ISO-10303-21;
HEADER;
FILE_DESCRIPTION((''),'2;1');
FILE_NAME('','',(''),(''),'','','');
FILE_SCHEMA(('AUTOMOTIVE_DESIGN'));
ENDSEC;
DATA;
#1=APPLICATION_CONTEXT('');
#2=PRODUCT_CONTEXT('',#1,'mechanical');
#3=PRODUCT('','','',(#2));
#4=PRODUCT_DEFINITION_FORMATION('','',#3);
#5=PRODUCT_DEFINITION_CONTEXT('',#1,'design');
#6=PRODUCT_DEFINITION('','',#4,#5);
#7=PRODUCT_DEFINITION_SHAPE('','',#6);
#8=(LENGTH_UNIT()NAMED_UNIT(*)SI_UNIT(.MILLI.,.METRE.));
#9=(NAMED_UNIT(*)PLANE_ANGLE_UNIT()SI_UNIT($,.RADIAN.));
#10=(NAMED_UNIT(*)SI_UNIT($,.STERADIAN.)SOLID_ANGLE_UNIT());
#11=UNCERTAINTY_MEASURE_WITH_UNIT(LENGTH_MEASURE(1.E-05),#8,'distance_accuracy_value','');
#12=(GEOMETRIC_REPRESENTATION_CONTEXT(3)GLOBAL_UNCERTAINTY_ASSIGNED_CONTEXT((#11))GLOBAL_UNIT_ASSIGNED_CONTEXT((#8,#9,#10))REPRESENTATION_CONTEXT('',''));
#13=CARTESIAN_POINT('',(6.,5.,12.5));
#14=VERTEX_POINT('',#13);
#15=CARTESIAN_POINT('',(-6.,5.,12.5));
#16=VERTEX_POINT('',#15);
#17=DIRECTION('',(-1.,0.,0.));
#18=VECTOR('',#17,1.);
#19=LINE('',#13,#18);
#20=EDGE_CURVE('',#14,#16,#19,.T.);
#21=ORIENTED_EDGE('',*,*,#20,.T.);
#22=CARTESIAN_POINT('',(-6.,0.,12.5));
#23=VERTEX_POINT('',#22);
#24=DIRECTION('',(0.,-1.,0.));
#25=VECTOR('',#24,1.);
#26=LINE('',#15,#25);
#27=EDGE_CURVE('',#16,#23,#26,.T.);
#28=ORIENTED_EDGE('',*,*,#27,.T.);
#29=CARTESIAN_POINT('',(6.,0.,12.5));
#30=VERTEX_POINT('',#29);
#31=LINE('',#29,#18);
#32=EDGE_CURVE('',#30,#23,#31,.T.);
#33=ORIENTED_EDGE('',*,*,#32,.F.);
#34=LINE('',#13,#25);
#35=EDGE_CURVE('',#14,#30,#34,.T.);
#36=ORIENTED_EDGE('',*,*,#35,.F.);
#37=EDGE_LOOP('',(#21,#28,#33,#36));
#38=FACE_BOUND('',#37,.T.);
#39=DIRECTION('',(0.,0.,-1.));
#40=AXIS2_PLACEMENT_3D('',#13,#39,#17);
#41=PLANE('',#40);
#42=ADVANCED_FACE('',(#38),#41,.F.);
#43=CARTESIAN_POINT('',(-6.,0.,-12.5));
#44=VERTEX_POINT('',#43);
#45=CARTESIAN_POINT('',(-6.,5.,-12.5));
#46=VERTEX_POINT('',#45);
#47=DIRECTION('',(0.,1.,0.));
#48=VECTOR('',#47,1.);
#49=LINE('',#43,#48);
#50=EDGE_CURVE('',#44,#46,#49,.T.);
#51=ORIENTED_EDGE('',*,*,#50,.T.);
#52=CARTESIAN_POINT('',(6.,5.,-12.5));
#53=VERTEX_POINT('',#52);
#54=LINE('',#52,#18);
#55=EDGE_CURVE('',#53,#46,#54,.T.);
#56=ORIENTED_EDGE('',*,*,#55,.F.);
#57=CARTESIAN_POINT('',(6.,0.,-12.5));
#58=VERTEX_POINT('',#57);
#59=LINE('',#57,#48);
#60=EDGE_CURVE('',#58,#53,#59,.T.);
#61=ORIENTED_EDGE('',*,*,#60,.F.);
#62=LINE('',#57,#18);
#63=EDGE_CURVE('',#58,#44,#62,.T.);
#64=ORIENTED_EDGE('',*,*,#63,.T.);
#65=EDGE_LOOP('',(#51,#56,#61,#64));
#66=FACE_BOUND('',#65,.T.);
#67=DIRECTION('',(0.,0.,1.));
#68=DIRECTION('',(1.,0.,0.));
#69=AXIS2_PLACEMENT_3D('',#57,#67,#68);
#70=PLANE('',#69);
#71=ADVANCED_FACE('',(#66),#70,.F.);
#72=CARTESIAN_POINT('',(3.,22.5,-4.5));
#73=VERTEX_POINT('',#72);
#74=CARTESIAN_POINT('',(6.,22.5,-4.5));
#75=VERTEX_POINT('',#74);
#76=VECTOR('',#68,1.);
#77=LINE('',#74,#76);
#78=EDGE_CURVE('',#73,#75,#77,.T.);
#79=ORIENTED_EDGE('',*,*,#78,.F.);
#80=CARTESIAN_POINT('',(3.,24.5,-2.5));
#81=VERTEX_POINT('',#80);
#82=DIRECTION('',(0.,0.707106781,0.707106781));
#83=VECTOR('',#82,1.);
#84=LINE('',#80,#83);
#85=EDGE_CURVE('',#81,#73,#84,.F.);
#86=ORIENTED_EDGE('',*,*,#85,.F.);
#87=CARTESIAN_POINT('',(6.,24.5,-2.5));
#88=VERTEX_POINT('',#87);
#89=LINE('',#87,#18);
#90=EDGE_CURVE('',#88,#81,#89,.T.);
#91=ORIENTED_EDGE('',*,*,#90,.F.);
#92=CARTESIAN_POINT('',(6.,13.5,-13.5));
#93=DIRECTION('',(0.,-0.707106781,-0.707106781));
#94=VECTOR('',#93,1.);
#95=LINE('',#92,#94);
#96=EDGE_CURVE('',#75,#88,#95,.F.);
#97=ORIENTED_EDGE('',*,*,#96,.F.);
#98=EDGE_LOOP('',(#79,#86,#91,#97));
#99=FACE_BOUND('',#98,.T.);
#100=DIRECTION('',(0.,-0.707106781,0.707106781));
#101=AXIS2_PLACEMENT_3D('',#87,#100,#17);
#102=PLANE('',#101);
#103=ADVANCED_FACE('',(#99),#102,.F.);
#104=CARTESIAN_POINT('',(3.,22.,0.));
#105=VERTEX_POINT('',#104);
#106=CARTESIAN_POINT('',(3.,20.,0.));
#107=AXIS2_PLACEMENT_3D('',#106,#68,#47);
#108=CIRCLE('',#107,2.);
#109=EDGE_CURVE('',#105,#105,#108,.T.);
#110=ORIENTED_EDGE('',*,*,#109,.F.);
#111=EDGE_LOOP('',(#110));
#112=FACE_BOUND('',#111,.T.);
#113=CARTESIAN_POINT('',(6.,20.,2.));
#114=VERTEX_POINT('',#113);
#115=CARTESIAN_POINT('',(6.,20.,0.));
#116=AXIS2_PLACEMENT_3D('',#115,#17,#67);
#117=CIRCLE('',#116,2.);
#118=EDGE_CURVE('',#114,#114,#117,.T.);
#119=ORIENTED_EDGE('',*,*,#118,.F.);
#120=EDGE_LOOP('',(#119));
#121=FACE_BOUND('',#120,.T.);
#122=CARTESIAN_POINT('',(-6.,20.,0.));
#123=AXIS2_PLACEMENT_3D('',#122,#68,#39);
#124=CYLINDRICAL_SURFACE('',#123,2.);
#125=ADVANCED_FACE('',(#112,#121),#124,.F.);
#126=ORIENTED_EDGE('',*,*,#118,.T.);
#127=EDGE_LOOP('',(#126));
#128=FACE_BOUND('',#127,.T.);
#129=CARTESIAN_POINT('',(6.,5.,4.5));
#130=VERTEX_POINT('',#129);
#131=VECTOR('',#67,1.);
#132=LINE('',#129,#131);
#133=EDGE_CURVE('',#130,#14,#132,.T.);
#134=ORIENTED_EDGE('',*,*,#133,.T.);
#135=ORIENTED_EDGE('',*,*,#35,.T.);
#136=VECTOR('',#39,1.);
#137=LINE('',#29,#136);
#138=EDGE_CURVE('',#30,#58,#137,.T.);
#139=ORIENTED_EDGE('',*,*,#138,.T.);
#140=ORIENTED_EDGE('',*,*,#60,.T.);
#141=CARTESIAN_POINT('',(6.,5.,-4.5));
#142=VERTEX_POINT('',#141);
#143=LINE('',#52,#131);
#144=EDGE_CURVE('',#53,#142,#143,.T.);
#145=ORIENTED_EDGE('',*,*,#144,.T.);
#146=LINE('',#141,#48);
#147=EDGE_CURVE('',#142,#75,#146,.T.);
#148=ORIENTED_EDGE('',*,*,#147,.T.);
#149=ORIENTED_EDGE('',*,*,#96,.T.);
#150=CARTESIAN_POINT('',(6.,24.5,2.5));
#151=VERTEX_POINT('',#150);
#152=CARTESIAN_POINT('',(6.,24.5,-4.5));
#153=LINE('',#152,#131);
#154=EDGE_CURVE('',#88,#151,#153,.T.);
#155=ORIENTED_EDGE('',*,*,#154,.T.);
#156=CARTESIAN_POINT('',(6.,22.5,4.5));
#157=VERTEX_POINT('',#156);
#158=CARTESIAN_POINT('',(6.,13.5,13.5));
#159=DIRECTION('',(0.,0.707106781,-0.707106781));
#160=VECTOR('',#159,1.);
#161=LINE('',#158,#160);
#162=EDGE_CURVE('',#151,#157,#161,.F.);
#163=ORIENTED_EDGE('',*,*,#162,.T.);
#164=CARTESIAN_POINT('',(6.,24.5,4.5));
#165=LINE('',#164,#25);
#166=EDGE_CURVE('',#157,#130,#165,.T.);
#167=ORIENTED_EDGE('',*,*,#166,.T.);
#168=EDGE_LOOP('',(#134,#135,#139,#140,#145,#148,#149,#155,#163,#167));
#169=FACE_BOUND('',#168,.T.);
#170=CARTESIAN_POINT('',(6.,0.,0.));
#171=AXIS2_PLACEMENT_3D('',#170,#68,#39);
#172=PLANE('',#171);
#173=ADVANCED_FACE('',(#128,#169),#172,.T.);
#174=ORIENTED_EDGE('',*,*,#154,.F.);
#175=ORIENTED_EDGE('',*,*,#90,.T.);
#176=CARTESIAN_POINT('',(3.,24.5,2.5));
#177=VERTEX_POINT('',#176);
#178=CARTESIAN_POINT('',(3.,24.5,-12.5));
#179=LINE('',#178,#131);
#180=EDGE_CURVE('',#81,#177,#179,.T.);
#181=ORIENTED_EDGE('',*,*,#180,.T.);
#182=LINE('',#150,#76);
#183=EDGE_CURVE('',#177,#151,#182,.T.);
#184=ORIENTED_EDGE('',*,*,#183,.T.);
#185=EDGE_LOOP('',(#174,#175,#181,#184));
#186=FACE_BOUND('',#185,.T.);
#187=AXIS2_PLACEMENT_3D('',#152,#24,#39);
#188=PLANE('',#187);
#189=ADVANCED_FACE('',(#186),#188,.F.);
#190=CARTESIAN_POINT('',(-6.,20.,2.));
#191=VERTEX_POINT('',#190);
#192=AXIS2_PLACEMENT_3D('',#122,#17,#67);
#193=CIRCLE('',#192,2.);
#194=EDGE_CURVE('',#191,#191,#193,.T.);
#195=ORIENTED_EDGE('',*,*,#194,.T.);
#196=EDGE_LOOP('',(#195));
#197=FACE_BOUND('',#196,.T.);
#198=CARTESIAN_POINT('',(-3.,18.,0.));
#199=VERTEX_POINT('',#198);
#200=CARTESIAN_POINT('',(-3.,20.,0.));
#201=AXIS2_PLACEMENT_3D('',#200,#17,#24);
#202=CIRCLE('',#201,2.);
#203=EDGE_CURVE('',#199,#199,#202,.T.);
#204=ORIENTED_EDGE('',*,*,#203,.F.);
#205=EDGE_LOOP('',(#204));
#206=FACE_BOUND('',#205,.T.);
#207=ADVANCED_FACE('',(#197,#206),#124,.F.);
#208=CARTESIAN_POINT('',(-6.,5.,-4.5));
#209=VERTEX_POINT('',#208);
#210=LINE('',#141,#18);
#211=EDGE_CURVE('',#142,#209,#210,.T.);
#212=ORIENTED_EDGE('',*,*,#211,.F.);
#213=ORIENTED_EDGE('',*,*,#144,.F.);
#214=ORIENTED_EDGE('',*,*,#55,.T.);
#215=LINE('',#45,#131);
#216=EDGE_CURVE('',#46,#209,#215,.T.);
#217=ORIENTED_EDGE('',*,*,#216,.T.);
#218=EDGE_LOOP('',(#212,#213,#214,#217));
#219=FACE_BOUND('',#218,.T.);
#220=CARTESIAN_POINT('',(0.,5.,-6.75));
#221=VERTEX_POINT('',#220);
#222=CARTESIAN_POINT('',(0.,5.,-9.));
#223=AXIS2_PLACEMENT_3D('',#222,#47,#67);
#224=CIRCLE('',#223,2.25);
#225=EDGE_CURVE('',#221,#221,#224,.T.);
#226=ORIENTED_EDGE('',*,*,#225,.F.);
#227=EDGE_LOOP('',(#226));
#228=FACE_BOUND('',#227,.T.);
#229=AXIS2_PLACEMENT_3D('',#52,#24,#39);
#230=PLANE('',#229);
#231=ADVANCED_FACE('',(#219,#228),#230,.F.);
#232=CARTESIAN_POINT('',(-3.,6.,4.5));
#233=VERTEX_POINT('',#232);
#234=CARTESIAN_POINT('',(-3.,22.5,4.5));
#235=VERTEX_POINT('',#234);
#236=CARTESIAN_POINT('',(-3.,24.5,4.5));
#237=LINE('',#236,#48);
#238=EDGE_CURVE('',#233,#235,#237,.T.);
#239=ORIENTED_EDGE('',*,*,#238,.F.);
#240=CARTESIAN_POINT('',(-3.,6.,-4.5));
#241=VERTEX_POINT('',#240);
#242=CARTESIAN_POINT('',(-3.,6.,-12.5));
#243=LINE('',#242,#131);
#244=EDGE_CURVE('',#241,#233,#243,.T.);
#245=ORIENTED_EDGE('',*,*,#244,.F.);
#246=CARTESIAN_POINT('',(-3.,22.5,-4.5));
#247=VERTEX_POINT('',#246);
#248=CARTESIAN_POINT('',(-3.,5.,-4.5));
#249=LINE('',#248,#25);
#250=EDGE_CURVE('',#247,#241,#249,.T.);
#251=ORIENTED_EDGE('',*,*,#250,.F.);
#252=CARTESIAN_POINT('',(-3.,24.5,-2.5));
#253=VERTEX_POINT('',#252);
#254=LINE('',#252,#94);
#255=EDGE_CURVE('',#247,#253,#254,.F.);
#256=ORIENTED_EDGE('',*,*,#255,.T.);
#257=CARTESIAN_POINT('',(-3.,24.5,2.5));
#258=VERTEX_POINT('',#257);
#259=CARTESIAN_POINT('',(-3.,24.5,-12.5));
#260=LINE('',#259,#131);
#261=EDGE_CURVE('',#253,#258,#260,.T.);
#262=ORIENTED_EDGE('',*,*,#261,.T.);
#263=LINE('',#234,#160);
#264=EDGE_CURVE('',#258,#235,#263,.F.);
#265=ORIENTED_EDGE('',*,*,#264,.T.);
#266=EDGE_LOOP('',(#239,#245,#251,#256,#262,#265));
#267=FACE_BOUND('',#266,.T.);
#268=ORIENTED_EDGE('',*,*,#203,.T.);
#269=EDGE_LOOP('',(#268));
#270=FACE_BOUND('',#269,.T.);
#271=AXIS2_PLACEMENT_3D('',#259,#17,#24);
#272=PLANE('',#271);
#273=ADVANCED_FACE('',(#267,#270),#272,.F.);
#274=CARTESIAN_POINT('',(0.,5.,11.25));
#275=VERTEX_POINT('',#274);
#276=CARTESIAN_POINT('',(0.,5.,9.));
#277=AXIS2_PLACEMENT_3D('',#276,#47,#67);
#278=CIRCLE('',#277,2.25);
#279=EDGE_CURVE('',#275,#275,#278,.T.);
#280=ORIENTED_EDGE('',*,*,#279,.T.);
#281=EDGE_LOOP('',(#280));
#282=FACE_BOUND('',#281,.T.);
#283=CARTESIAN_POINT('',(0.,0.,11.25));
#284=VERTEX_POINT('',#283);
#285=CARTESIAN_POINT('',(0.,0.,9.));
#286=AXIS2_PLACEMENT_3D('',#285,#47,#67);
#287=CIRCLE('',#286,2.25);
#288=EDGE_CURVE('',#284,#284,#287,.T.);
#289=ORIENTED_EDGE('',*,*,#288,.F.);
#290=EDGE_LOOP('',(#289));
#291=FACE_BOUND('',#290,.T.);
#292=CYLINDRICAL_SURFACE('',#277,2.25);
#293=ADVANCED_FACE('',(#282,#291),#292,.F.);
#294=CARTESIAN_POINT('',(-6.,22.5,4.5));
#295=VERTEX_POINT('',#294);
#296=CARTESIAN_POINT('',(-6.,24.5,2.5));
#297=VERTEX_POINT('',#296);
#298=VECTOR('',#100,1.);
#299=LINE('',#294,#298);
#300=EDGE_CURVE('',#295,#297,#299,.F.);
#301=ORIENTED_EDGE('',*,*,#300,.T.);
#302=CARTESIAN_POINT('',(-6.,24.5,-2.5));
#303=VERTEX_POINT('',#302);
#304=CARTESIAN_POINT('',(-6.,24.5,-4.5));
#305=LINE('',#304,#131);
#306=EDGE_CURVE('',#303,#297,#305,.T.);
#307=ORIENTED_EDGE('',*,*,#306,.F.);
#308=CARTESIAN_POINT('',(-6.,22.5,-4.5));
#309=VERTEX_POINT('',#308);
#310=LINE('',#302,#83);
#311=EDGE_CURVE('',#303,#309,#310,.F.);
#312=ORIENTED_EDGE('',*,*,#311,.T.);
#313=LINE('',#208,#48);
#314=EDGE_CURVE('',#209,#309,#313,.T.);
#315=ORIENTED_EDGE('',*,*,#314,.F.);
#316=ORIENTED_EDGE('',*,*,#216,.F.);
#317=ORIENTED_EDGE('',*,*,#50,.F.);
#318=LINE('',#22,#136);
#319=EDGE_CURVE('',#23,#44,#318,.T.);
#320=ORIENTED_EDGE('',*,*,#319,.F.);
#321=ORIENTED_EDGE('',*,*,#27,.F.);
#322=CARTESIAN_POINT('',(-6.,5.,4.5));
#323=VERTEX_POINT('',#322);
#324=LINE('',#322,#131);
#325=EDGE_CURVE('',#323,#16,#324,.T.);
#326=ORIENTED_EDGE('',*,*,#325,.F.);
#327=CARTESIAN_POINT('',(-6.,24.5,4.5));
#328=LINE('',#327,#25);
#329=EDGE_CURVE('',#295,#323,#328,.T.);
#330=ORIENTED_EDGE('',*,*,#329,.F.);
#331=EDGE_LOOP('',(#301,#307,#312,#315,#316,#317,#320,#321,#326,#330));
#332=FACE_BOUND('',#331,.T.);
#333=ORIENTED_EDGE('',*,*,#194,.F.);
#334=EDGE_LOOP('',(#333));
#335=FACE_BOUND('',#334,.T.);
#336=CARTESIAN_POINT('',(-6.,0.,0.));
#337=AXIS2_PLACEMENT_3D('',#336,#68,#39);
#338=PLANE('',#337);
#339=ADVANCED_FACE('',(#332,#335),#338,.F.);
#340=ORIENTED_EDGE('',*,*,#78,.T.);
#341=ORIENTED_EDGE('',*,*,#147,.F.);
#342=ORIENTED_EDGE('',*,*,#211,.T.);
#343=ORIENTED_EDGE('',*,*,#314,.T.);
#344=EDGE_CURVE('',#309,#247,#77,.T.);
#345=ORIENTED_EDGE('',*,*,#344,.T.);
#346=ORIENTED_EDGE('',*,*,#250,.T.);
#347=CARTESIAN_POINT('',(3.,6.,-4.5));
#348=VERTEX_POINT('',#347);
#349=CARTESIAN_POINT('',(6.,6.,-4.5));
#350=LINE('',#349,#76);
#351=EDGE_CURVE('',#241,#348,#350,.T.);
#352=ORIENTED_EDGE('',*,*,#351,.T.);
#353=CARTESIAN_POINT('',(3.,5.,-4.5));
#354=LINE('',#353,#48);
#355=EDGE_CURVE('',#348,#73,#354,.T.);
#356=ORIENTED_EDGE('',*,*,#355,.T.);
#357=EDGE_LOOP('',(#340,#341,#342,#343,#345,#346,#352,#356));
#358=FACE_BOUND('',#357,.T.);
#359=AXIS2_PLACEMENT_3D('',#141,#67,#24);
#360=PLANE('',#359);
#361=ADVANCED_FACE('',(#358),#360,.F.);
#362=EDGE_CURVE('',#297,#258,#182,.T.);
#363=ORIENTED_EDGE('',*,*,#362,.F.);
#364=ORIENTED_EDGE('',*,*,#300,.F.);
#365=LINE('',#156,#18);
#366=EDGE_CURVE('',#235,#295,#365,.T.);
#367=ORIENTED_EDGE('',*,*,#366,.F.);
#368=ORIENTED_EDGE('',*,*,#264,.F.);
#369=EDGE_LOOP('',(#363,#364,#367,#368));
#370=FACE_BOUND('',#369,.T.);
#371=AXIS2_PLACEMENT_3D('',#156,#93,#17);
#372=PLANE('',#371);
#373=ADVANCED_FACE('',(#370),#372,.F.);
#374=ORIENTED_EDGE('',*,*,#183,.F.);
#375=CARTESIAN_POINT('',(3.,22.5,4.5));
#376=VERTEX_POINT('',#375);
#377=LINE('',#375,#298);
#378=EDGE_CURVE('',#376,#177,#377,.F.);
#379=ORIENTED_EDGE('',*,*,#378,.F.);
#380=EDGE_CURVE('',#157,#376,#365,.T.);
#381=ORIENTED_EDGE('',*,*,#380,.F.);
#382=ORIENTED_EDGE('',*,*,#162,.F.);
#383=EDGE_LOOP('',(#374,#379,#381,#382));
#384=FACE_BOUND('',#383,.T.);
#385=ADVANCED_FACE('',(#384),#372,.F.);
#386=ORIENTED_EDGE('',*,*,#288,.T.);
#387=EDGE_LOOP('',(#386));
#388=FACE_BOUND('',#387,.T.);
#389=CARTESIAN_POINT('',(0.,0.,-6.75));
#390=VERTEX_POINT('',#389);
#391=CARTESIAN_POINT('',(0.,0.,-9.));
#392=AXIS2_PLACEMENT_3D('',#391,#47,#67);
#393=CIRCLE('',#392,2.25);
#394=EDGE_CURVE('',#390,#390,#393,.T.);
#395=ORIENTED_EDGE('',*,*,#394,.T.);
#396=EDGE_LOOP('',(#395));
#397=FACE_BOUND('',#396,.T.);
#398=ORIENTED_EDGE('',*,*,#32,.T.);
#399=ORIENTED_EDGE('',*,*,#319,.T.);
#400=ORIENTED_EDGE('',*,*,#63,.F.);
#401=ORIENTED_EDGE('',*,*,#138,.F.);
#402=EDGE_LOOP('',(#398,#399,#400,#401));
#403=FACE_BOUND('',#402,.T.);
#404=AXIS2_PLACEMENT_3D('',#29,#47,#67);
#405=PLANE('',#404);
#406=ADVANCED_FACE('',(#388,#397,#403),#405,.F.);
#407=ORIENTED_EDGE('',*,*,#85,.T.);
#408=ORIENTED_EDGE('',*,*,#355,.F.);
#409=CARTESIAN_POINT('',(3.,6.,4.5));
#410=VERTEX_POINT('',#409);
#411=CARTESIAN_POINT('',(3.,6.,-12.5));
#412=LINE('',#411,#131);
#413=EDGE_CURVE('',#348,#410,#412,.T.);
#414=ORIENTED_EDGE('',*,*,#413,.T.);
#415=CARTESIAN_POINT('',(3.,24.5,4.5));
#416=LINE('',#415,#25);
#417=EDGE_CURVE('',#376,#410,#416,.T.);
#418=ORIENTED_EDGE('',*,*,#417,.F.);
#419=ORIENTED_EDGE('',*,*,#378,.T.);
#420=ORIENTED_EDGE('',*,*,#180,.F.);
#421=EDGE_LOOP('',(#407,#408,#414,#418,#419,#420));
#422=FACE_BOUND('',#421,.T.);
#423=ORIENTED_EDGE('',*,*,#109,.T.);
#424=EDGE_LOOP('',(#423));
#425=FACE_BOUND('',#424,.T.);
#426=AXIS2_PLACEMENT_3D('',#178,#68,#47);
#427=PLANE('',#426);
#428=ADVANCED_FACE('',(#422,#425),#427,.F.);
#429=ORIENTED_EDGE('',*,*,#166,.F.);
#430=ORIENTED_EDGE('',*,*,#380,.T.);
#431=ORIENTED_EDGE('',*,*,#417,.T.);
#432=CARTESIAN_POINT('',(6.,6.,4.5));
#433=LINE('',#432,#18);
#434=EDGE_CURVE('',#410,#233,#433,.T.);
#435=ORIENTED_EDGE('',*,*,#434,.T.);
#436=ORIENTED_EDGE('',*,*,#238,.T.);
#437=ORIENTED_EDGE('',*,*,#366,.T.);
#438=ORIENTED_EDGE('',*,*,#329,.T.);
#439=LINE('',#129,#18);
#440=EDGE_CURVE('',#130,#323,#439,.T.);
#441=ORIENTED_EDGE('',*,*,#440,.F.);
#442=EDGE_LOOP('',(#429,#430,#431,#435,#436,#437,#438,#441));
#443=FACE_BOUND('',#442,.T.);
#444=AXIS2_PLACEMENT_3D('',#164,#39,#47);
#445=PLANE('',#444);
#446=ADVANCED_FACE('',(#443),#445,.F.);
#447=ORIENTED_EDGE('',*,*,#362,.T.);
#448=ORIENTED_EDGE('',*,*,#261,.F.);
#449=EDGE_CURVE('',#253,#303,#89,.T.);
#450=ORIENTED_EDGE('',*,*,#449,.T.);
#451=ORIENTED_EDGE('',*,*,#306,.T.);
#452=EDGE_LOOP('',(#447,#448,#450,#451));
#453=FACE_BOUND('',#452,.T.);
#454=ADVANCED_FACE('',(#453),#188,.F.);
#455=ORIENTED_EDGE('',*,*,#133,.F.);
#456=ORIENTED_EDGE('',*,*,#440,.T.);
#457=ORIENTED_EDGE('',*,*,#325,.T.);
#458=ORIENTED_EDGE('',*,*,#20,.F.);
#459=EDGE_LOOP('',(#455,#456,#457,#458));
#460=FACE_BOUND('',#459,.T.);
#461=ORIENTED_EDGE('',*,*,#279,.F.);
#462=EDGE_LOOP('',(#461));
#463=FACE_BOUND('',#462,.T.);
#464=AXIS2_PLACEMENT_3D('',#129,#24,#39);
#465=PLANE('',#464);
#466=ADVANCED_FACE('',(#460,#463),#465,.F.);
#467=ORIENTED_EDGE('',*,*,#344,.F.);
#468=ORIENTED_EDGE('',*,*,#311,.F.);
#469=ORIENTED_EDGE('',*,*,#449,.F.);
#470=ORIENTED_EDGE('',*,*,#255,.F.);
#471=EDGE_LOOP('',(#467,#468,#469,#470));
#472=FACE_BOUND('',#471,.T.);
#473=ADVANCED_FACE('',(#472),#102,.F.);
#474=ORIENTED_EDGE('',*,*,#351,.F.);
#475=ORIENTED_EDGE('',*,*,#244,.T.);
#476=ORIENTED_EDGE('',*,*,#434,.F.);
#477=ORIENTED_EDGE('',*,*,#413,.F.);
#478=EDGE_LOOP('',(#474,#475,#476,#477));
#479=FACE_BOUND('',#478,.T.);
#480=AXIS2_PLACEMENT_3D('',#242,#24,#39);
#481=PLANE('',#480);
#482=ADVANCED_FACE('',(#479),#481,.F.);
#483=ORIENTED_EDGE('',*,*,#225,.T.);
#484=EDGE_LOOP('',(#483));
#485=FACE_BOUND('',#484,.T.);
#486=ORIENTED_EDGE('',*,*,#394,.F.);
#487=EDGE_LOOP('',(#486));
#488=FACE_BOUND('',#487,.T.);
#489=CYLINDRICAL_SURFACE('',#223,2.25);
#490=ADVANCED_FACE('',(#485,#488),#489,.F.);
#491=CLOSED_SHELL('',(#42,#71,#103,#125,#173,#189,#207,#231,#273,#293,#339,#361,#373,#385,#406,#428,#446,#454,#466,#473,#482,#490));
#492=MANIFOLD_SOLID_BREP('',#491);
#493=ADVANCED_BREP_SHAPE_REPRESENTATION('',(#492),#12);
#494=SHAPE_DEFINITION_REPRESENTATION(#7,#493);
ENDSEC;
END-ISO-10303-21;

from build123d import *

# Parameters (mm, degrees)
BOSS_EXTRUDE1_DEPTH     = 6
SKETCH2_R               = 2
CUT_EXTRUDE1_DEPTH      = 31.894983412
CHAMFER1_SIZE           = 2
DIAMETER_HOLE1_D        = 4.5
CUT_EXTRUDE2_DEPTH      = 29.151376521
CUT_EXTRUDE2_DEPTH_BACK = 29.151376521
SKETCH5_W               = 6
SKETCH5_H               = 18.5


with BuildPart() as part:
    # Sketch1 → Boss-Extrude1 (new, symmetric)
    with BuildSketch(Plane(origin=(0, 0, 0), x_dir=(0, 0, -1), z_dir=(1, 0, 0))):
        Polygon((-12.5, 0), (12.5, 0), (12.5, 5), (4.5, 5), (4.5, 24.5), (-4.5, 24.5), (-4.5, 5), (-12.5, 5), align=None)
    extrude(amount=BOSS_EXTRUDE1_DEPTH, both=True)

    # Sketch2 → Cut-Extrude1 (cut, through all)
    with BuildSketch(Plane(origin=(6, 0, -2), x_dir=(0, 0, 1), z_dir=(-1, 0, 0))):
        with Locations((2, 20)):
            Circle(SKETCH2_R)
    extrude(amount=CUT_EXTRUDE1_DEPTH, mode=Mode.SUBTRACT)

    # Chamfer1
    chamfer1_edges = [part.edges().sort_by_distance(p)[0] for p in [
        (0, 24.5, 4.5),
        (0, 24.5, -4.5),
    ]]
    chamfer(chamfer1_edges, length=CHAMFER1_SIZE)

    # Diameter Hole1 (through all)
    with Locations(Plane(origin=(5.400260834, 5, -6.193239857), x_dir=(-1, 0, 0), z_dir=(0, 1, 0))):
        with Locations((5.400260834, 15.193239857), (5.400260834, -2.806760143)):
            Hole(DIAMETER_HOLE1_D / 2)

    # Sketch5 → Cut-Extrude2 (cut, two sides: drawn at the far end of the back side and taken through both)
    with BuildSketch(Plane.XY.offset(-CUT_EXTRUDE2_DEPTH_BACK)):
        with Locations((0, 15.25)):
            Rectangle(SKETCH5_W, SKETCH5_H)
    extrude(amount=CUT_EXTRUDE2_DEPTH + CUT_EXTRUDE2_DEPTH_BACK, mode=Mode.SUBTRACT)


solid = part.part
